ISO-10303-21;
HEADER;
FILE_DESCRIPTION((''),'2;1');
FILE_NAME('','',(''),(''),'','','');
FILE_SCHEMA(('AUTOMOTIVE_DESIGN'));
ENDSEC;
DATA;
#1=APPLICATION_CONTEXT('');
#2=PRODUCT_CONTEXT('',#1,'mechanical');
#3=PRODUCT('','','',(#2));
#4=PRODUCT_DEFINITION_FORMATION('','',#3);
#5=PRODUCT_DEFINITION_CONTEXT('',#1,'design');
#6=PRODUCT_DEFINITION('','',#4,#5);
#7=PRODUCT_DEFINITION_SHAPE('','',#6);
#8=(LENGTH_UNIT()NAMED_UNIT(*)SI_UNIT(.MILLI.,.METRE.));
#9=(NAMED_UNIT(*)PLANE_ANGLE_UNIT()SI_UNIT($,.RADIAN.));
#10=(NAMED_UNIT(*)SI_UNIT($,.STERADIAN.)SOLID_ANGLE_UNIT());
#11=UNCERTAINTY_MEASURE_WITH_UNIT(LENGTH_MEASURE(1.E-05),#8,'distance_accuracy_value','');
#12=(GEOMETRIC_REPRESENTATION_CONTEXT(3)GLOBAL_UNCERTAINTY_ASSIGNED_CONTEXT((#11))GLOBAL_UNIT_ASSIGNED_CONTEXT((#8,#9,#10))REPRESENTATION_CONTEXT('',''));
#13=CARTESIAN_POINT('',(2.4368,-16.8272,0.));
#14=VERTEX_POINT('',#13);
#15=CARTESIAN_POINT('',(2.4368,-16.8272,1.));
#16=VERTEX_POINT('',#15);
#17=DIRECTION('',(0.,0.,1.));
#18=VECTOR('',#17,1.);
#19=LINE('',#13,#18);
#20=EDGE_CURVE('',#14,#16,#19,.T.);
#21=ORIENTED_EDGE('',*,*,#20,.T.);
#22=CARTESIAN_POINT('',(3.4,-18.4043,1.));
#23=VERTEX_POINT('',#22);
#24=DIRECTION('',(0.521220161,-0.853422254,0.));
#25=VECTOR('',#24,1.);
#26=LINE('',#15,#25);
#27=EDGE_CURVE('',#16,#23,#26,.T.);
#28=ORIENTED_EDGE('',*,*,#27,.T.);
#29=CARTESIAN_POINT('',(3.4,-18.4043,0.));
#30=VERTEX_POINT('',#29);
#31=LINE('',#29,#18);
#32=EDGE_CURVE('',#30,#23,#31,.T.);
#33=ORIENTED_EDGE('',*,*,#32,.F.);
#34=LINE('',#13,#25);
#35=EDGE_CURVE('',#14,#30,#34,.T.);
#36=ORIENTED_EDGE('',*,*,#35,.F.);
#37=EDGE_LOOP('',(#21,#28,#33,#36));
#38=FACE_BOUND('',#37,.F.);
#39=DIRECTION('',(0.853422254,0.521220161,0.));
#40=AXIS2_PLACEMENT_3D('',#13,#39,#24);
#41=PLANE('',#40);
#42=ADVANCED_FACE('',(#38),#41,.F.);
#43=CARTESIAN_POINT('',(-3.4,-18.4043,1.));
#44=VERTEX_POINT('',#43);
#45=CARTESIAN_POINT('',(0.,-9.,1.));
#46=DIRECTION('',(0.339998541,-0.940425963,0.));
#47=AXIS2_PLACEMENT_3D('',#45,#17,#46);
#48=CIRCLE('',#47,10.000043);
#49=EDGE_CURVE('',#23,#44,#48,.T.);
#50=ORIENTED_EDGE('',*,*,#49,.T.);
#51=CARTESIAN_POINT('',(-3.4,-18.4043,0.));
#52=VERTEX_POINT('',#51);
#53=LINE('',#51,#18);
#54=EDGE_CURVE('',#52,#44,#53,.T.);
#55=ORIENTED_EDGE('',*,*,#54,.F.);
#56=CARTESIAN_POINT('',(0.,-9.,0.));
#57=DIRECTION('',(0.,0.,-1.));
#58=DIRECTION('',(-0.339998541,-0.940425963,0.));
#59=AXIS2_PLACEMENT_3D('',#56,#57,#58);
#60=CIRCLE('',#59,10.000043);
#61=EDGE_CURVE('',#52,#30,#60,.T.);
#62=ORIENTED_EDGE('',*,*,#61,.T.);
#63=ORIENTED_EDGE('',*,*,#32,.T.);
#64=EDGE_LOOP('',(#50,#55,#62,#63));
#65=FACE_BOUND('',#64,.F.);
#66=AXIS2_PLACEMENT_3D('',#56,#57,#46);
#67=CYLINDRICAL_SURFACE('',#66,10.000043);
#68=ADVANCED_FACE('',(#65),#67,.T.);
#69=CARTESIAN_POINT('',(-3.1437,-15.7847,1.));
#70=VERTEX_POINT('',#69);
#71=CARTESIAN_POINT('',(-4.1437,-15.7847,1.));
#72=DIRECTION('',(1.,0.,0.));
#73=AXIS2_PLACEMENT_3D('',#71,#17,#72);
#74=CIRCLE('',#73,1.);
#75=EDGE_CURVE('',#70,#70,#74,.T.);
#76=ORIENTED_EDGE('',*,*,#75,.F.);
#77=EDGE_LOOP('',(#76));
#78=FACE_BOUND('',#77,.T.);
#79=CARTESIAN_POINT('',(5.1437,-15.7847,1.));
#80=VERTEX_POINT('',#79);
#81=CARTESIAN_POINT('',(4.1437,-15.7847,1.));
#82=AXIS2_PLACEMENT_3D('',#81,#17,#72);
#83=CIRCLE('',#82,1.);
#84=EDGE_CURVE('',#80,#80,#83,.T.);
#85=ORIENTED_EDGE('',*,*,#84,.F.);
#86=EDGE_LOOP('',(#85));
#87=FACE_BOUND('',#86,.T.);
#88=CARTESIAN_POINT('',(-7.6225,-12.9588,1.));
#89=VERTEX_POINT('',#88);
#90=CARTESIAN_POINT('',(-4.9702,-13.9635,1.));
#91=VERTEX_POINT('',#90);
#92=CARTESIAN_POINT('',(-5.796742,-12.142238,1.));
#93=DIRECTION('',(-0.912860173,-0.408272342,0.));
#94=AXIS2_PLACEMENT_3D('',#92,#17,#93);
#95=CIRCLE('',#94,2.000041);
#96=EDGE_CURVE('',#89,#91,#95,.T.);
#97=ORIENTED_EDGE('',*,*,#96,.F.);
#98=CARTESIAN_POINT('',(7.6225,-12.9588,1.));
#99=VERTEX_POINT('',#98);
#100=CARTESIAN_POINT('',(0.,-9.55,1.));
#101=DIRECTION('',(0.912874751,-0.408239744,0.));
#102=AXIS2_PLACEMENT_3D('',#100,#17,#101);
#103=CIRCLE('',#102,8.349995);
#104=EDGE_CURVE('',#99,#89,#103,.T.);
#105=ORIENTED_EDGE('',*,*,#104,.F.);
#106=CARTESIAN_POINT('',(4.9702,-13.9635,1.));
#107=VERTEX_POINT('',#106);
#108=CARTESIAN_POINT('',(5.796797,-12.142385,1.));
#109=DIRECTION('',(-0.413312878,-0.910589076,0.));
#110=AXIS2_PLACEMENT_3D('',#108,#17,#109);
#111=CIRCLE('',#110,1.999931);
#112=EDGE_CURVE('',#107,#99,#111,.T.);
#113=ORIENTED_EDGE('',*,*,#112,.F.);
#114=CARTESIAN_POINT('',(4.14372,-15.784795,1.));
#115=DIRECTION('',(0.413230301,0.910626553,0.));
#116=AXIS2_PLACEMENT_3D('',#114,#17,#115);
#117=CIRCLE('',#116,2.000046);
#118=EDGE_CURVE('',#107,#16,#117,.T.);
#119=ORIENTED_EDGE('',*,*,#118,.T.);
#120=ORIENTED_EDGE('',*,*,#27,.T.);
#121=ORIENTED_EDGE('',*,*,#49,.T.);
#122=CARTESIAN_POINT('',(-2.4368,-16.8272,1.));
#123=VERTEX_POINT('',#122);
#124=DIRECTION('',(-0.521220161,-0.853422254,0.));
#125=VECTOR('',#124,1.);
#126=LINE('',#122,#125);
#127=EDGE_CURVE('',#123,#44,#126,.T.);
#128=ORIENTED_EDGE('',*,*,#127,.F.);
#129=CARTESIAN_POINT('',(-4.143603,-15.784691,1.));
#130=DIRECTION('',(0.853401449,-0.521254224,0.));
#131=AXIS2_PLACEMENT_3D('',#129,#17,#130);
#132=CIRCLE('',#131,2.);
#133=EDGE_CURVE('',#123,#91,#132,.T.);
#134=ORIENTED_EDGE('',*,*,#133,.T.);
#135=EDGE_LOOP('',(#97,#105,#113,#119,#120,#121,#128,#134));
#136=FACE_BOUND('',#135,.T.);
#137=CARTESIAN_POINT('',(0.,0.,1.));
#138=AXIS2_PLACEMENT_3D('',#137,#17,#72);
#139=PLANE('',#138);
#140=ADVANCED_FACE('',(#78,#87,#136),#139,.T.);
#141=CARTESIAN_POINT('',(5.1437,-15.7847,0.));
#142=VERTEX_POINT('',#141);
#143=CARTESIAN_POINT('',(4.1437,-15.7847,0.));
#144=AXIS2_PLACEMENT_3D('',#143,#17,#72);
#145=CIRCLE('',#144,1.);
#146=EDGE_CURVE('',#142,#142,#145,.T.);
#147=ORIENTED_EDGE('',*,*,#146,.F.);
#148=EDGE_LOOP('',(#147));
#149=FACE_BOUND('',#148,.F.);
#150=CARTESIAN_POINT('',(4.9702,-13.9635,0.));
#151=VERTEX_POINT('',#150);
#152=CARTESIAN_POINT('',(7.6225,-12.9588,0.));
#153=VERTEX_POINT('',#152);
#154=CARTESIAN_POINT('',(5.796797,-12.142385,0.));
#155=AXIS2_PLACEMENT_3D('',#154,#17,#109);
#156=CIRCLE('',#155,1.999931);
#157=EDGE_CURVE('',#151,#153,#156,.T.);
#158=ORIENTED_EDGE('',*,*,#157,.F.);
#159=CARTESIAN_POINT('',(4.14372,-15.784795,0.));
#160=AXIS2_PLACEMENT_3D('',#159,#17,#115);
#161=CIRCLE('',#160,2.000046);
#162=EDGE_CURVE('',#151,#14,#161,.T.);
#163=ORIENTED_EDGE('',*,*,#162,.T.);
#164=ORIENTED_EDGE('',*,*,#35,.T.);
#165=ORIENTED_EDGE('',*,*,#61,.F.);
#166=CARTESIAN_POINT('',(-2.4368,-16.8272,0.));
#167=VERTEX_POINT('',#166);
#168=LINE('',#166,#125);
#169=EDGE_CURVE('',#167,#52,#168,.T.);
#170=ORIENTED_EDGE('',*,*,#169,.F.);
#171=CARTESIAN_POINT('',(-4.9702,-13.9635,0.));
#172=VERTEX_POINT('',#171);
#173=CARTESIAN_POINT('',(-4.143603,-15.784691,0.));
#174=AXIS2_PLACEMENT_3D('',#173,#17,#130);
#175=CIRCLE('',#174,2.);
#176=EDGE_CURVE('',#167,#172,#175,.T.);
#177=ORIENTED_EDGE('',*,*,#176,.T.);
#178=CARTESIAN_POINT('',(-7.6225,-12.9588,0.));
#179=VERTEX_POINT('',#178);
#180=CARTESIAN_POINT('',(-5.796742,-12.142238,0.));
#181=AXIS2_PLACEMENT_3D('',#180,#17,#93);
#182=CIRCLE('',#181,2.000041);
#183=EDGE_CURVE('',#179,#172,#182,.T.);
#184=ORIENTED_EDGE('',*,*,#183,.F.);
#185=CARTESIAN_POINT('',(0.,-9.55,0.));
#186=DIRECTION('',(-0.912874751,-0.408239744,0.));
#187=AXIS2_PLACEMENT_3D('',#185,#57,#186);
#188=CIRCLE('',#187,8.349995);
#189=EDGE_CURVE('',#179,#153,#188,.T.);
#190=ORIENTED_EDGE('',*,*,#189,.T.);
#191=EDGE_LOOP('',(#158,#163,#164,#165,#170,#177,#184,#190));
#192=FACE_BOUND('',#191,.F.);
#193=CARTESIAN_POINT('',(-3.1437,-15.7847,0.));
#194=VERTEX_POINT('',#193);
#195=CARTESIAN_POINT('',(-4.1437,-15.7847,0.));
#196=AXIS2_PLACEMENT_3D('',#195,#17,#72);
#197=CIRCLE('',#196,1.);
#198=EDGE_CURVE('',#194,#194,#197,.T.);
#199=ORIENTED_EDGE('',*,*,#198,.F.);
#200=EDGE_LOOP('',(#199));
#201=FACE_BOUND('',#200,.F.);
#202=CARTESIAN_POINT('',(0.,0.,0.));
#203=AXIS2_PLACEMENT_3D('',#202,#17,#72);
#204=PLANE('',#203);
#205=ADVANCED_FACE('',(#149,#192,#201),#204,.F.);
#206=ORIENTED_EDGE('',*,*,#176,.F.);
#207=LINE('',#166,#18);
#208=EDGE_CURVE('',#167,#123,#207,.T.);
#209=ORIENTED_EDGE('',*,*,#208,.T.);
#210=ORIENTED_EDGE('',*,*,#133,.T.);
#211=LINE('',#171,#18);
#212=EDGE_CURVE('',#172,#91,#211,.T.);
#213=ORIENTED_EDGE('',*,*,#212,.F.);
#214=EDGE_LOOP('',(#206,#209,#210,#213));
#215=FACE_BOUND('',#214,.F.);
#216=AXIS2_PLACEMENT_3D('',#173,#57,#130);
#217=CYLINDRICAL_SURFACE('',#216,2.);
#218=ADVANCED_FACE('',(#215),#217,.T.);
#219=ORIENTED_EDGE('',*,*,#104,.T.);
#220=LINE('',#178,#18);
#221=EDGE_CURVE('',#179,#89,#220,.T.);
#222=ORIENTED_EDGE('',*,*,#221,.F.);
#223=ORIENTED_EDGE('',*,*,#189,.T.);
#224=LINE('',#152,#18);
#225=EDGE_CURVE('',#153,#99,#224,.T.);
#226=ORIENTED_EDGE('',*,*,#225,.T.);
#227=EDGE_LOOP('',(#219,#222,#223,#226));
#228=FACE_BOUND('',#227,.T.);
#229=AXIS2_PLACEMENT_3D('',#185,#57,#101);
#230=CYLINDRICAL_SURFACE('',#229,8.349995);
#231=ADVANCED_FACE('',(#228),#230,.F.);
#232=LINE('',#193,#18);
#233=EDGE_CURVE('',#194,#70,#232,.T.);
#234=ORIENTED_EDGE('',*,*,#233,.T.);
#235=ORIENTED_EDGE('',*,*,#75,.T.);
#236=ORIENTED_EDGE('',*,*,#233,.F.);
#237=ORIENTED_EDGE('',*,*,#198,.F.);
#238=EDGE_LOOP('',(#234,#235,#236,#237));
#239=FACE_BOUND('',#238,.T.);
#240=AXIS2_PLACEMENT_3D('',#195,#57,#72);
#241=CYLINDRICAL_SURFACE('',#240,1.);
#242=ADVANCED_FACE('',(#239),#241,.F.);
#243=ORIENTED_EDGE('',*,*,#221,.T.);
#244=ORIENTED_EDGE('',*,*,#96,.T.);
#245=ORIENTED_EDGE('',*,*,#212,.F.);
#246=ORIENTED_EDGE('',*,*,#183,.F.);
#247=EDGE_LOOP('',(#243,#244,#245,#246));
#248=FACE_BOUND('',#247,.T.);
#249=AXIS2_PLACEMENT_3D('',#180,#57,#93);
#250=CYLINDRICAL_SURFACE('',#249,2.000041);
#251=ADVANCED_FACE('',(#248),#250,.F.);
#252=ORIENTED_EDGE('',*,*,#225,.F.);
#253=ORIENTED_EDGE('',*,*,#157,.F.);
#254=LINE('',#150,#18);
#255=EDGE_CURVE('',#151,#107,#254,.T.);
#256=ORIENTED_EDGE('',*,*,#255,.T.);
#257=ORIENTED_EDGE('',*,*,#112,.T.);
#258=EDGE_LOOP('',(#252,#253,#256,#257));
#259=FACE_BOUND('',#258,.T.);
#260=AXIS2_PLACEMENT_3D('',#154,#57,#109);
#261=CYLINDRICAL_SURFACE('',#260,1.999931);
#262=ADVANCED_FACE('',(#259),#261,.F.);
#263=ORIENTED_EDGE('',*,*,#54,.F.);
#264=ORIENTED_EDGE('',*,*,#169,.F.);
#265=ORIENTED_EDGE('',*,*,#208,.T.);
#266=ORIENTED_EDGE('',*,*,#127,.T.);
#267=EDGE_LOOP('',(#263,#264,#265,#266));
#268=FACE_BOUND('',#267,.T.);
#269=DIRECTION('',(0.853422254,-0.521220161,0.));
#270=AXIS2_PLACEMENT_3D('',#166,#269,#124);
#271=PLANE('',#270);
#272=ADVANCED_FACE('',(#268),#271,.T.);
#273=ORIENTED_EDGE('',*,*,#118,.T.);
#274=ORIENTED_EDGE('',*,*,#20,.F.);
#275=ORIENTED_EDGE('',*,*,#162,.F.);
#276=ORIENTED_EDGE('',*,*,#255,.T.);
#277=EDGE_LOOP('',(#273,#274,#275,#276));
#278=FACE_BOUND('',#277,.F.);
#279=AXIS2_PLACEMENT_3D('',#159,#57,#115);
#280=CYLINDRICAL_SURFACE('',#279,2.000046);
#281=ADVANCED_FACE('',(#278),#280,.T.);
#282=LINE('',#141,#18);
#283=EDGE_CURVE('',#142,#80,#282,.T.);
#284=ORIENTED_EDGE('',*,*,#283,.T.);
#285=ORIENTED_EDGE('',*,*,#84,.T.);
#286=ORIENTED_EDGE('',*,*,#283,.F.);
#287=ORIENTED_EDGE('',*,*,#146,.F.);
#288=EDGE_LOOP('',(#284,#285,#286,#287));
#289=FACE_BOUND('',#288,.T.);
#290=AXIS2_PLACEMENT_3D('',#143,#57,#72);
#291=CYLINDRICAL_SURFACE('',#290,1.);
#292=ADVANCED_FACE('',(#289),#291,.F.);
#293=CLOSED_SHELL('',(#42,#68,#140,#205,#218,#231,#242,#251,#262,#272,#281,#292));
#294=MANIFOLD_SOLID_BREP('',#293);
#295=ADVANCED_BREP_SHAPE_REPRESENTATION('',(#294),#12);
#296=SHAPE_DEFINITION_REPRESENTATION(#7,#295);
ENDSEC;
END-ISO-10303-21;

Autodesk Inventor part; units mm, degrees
ref_plane "YZ Plane" through (0, 0, 0) normal (1, 0, 0) x (0, 1, 0)
ref_plane "XZ Plane" through (0, 0, 0) normal (0, 1, 0) x (-1, 0, 0)
sketch "Sketch1" plane through (0, 0, 0) normal (0, 0, 1) x (1, 0, 0)
  arc A0 (7.6225, -12.9588) -> (-7.6225, -12.9588) centre (0, -9.55) ccw
  line L0 (0, 15.1128) -> (0, -73.1766) projected
  line L1 (-45.5, 0) -> (45.5, 0) projected
  line L2 (-4.9645, 1) -> (1.5024, 1) construction
  arc A1 (3.4, -18.4043) -> (-3.4, -18.4043) centre (0, -9) ccw
  line L3 (0, -1.2) -> (-5.3069, -1.2) construction
  line L4 (0, -9) -> (-5.2122, -17.5342) construction
  line L5 (-5.2122, -17.5342) -> (-17.918, -9.7744) construction
  line L6 (-4.1437, -15.7847) -> (-14.0226, -9.7513) construction
  circle A2 centre (-4.1437, -15.7847) radius 1
  arc A3 (-2.4368, -16.8272) -> (-4.9702, -13.9635) centre (-4.1437, -15.7847) ccw
  arc A4 (-7.6225, -12.9588) -> (-4.9702, -13.9635) centre (-5.7968, -12.1423) ccw
  line L7 (-2.4368, -16.8272) -> (-3.4, -18.4043)
  circle A5 centre (4.1437, -15.7847) radius 1
  arc A6 (4.9702, -13.9635) -> (2.4368, -16.8272) centre (4.1437, -15.7847) ccw
  arc A7 (4.9702, -13.9635) -> (7.6225, -12.9588) centre (5.7968, -12.1423) ccw
  line L8 (2.4368, -16.8272) -> (3.4, -18.4043)
  point P0 (-11.2471, -11.4464)
  point P1 (5.2122, -17.5342)
  dimension "d8" = 0.55
  dimension "d38" = 2.2
  dimension "d39" = 9
  dimension "d43" = 10
  dimension "d45" = 2.05
  dimension "d46" = 2
  dimension "d47" = 3.4
  dimension "d48" = 2
  dimension "d49" = 2
extrude "Body" add sketch "Sketch1" along normal blind 1
ref_plane "Work Plane1" through (0, -9.55, 0) normal (1, 0, 0) x (0, 0, 1)
equation "\"d8\" = 0.25 * SRB1"
equation "\"d38\" = SRB1"
equation "\"d39\" = 0.5 * WD"
equation "\"d43\" = 0.5 * ND"
equation "\"d45\" = 0.5 * SRB2"
equation "\"d46\" = SD5"
equation "\"d47\" = 0.17 * ND"
equation "\"d48\" = SD5"
equation "\"d49\" = SD5"
equation "\"d2\" = SD"
equation "\"WD\" = WDMIN"
equation "\"SD\" = 1"
equation "\"SRB1\" = 2.2"
equation "\"SRB2\" = 4.1"
equation "\"SD5\" = 2"
equation "\"WDMIN\" = 18"
equation "\"SD6\" = 20.5"
equation "\"NND\" = 19"
equation "\"WDMAX\" = NND"
equation "\"ND\" = 20"
properties part number "DIN 472 - 19 x 1" material "Steel, Mild"
